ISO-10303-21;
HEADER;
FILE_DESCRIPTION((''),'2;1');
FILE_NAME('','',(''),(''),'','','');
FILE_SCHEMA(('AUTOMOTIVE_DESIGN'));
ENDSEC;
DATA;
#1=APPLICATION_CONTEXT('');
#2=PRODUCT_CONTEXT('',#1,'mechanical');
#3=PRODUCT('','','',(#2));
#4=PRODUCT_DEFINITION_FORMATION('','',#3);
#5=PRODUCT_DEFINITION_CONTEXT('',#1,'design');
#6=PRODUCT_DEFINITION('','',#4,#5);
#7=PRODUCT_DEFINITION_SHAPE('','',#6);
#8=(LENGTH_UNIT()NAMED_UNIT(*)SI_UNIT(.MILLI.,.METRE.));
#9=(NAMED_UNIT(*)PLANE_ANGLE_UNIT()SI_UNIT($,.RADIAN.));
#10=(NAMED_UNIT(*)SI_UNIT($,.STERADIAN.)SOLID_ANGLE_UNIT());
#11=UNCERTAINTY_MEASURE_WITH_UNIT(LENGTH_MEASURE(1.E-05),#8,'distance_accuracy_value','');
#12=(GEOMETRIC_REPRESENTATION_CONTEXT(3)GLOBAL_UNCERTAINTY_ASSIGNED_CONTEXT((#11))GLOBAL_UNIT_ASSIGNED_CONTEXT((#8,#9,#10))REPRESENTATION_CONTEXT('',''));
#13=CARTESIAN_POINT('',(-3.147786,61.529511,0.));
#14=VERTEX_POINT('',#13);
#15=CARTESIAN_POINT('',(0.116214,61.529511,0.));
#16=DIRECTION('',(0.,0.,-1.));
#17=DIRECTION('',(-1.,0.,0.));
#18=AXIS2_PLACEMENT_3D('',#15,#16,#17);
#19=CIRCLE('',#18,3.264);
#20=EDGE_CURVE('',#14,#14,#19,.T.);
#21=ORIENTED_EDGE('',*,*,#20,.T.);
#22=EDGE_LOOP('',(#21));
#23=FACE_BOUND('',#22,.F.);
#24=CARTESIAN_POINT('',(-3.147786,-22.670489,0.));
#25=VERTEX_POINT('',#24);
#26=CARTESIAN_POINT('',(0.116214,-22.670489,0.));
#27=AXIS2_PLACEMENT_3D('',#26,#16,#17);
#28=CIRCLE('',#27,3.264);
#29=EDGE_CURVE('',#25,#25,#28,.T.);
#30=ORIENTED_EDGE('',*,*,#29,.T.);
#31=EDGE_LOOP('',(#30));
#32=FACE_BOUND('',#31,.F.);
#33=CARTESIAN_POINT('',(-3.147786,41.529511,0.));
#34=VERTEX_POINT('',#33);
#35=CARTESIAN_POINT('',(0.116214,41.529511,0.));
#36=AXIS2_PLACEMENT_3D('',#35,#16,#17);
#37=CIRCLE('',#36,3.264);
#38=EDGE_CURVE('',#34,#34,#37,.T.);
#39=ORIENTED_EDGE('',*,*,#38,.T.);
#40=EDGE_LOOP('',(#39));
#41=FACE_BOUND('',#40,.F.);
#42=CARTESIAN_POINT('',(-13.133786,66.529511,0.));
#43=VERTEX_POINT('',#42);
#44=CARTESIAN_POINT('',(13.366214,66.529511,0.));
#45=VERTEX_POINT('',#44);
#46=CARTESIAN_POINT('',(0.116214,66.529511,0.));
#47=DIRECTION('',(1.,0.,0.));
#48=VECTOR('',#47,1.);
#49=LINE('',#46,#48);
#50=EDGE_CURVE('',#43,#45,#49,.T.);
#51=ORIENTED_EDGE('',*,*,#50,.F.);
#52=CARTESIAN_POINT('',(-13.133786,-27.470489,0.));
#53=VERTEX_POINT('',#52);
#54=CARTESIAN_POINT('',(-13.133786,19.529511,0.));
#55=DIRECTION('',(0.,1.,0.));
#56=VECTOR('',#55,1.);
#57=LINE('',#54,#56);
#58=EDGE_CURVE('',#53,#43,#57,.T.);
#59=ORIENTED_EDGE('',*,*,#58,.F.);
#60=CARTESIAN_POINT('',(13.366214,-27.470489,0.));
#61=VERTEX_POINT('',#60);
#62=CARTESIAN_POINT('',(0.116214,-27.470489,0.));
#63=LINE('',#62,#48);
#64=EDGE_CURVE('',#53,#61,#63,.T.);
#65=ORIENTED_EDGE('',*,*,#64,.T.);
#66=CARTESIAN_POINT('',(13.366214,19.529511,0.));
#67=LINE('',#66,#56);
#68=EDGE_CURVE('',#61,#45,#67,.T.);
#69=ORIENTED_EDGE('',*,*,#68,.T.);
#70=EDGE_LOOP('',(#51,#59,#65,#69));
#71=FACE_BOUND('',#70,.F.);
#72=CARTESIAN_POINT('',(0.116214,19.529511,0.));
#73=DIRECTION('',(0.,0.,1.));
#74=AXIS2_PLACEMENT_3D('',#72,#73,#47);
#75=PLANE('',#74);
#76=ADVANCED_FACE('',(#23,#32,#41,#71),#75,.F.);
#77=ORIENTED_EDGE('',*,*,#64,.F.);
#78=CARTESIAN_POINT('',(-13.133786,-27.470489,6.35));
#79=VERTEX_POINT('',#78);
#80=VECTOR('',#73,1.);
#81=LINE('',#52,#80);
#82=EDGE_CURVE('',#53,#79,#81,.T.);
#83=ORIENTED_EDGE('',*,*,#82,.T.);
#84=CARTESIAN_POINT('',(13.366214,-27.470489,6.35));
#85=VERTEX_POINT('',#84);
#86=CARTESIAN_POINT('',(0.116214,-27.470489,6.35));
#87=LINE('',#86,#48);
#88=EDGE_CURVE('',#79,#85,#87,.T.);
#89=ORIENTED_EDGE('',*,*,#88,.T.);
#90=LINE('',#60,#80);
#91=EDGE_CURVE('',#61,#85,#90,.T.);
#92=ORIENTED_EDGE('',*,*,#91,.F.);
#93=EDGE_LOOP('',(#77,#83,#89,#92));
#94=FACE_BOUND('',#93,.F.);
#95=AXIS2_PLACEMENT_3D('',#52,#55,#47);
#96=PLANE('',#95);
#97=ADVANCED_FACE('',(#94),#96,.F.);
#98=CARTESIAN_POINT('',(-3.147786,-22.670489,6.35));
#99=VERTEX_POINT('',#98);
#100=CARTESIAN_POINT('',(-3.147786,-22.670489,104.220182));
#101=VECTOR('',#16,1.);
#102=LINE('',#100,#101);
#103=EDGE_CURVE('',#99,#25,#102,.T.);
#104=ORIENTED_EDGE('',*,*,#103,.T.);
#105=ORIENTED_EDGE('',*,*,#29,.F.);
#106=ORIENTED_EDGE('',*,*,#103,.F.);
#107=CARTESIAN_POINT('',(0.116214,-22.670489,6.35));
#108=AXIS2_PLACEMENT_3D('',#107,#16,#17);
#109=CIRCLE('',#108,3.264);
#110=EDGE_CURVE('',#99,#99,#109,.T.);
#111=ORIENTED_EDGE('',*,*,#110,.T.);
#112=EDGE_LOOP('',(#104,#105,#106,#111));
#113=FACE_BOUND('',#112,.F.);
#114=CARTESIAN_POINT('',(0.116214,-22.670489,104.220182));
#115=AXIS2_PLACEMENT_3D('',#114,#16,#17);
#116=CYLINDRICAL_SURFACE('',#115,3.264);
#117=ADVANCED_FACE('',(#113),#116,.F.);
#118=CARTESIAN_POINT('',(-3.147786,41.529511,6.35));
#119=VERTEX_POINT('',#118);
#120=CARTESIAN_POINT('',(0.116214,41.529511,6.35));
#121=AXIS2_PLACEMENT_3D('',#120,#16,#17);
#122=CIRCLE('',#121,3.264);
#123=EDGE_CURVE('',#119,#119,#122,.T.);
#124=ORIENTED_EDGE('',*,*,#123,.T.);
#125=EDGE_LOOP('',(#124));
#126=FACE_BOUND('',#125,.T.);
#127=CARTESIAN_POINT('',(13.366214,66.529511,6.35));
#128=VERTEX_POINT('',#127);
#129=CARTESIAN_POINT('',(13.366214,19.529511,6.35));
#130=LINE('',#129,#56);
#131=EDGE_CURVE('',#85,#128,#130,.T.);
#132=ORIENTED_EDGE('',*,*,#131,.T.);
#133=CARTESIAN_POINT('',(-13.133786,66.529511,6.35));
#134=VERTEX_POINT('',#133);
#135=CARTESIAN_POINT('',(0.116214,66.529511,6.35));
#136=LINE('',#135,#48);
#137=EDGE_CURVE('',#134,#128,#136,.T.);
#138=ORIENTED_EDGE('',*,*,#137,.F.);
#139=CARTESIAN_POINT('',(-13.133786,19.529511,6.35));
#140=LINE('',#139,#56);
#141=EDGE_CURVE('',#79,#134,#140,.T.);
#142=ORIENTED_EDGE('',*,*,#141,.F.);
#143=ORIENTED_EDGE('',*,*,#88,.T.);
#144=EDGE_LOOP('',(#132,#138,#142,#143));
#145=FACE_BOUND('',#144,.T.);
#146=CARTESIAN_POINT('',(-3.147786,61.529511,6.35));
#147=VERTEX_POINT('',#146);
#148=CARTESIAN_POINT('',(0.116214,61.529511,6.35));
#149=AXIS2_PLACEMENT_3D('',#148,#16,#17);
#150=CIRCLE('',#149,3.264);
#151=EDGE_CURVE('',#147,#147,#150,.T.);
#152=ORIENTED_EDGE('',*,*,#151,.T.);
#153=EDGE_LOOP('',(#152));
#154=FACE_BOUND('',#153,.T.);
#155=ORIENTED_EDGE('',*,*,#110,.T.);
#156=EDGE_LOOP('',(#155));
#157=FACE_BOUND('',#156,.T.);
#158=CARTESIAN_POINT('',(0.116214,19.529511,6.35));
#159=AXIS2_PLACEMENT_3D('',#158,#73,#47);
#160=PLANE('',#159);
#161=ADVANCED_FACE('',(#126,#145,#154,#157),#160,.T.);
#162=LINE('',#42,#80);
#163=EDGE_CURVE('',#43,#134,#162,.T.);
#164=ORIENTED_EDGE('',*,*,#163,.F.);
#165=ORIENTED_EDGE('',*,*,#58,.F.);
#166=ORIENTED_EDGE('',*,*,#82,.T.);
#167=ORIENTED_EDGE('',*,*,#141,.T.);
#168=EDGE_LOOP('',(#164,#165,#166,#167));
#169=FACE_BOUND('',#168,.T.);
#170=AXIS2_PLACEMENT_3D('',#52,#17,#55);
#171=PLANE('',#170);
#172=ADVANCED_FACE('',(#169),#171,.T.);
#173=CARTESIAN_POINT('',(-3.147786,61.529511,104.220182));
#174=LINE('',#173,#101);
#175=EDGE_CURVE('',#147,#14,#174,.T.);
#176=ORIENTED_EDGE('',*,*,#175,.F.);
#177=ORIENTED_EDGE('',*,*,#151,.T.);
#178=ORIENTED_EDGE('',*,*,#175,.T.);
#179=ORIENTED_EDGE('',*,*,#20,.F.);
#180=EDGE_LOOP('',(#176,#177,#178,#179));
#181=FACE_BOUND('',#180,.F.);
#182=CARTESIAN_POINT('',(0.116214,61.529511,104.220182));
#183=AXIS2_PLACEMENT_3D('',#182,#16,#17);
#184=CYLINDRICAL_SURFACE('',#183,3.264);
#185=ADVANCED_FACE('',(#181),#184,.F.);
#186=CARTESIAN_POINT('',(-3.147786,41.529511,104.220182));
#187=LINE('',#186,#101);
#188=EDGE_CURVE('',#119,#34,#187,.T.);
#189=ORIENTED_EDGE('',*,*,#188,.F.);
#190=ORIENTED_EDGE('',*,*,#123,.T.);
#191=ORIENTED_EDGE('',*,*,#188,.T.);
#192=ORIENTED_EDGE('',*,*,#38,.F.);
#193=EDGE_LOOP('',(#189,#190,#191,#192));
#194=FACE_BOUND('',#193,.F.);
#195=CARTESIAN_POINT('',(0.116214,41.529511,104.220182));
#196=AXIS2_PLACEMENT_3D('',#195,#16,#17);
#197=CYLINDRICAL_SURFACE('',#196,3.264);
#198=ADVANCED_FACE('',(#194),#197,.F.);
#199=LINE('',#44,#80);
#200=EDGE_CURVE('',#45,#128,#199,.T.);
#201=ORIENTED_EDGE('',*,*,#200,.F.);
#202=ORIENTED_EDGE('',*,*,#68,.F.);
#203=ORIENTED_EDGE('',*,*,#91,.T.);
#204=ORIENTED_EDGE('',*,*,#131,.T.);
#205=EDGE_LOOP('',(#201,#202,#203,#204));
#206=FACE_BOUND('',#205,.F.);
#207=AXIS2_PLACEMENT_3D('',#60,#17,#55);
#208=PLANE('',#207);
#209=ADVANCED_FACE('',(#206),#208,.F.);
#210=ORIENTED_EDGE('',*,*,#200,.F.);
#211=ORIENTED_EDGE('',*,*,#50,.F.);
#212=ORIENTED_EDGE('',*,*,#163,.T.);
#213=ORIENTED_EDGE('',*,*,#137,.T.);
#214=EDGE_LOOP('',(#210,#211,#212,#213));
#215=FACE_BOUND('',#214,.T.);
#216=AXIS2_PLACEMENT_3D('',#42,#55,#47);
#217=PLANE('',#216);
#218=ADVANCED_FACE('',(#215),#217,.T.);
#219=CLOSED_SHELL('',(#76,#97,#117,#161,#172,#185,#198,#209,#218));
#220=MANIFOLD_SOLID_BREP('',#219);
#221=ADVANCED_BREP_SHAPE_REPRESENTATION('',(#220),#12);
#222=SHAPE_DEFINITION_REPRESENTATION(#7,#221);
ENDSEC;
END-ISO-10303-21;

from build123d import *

# Parameters (mm, degrees)
F0_W     = 26.5
F0_H     = 94
F1_DEPTH = 6.35
F3_D     = 6.528


with BuildPart() as f1:
    # F0 (on Top) → F1 (new body)
    with BuildSketch(Plane.XY):
        with Locations((0.116214, 19.529511)):
            Rectangle(F0_W, F0_H)
    extrude(amount=F1_DEPTH)

    # F3 (through all)
    with Locations(Plane.XY.offset(6.35)):
        with Locations((0.116214, 61.529511), (0.116214, 41.529511), (0.116214, -22.670489)):
            Hole(F3_D / 2)


solid = f1.part
